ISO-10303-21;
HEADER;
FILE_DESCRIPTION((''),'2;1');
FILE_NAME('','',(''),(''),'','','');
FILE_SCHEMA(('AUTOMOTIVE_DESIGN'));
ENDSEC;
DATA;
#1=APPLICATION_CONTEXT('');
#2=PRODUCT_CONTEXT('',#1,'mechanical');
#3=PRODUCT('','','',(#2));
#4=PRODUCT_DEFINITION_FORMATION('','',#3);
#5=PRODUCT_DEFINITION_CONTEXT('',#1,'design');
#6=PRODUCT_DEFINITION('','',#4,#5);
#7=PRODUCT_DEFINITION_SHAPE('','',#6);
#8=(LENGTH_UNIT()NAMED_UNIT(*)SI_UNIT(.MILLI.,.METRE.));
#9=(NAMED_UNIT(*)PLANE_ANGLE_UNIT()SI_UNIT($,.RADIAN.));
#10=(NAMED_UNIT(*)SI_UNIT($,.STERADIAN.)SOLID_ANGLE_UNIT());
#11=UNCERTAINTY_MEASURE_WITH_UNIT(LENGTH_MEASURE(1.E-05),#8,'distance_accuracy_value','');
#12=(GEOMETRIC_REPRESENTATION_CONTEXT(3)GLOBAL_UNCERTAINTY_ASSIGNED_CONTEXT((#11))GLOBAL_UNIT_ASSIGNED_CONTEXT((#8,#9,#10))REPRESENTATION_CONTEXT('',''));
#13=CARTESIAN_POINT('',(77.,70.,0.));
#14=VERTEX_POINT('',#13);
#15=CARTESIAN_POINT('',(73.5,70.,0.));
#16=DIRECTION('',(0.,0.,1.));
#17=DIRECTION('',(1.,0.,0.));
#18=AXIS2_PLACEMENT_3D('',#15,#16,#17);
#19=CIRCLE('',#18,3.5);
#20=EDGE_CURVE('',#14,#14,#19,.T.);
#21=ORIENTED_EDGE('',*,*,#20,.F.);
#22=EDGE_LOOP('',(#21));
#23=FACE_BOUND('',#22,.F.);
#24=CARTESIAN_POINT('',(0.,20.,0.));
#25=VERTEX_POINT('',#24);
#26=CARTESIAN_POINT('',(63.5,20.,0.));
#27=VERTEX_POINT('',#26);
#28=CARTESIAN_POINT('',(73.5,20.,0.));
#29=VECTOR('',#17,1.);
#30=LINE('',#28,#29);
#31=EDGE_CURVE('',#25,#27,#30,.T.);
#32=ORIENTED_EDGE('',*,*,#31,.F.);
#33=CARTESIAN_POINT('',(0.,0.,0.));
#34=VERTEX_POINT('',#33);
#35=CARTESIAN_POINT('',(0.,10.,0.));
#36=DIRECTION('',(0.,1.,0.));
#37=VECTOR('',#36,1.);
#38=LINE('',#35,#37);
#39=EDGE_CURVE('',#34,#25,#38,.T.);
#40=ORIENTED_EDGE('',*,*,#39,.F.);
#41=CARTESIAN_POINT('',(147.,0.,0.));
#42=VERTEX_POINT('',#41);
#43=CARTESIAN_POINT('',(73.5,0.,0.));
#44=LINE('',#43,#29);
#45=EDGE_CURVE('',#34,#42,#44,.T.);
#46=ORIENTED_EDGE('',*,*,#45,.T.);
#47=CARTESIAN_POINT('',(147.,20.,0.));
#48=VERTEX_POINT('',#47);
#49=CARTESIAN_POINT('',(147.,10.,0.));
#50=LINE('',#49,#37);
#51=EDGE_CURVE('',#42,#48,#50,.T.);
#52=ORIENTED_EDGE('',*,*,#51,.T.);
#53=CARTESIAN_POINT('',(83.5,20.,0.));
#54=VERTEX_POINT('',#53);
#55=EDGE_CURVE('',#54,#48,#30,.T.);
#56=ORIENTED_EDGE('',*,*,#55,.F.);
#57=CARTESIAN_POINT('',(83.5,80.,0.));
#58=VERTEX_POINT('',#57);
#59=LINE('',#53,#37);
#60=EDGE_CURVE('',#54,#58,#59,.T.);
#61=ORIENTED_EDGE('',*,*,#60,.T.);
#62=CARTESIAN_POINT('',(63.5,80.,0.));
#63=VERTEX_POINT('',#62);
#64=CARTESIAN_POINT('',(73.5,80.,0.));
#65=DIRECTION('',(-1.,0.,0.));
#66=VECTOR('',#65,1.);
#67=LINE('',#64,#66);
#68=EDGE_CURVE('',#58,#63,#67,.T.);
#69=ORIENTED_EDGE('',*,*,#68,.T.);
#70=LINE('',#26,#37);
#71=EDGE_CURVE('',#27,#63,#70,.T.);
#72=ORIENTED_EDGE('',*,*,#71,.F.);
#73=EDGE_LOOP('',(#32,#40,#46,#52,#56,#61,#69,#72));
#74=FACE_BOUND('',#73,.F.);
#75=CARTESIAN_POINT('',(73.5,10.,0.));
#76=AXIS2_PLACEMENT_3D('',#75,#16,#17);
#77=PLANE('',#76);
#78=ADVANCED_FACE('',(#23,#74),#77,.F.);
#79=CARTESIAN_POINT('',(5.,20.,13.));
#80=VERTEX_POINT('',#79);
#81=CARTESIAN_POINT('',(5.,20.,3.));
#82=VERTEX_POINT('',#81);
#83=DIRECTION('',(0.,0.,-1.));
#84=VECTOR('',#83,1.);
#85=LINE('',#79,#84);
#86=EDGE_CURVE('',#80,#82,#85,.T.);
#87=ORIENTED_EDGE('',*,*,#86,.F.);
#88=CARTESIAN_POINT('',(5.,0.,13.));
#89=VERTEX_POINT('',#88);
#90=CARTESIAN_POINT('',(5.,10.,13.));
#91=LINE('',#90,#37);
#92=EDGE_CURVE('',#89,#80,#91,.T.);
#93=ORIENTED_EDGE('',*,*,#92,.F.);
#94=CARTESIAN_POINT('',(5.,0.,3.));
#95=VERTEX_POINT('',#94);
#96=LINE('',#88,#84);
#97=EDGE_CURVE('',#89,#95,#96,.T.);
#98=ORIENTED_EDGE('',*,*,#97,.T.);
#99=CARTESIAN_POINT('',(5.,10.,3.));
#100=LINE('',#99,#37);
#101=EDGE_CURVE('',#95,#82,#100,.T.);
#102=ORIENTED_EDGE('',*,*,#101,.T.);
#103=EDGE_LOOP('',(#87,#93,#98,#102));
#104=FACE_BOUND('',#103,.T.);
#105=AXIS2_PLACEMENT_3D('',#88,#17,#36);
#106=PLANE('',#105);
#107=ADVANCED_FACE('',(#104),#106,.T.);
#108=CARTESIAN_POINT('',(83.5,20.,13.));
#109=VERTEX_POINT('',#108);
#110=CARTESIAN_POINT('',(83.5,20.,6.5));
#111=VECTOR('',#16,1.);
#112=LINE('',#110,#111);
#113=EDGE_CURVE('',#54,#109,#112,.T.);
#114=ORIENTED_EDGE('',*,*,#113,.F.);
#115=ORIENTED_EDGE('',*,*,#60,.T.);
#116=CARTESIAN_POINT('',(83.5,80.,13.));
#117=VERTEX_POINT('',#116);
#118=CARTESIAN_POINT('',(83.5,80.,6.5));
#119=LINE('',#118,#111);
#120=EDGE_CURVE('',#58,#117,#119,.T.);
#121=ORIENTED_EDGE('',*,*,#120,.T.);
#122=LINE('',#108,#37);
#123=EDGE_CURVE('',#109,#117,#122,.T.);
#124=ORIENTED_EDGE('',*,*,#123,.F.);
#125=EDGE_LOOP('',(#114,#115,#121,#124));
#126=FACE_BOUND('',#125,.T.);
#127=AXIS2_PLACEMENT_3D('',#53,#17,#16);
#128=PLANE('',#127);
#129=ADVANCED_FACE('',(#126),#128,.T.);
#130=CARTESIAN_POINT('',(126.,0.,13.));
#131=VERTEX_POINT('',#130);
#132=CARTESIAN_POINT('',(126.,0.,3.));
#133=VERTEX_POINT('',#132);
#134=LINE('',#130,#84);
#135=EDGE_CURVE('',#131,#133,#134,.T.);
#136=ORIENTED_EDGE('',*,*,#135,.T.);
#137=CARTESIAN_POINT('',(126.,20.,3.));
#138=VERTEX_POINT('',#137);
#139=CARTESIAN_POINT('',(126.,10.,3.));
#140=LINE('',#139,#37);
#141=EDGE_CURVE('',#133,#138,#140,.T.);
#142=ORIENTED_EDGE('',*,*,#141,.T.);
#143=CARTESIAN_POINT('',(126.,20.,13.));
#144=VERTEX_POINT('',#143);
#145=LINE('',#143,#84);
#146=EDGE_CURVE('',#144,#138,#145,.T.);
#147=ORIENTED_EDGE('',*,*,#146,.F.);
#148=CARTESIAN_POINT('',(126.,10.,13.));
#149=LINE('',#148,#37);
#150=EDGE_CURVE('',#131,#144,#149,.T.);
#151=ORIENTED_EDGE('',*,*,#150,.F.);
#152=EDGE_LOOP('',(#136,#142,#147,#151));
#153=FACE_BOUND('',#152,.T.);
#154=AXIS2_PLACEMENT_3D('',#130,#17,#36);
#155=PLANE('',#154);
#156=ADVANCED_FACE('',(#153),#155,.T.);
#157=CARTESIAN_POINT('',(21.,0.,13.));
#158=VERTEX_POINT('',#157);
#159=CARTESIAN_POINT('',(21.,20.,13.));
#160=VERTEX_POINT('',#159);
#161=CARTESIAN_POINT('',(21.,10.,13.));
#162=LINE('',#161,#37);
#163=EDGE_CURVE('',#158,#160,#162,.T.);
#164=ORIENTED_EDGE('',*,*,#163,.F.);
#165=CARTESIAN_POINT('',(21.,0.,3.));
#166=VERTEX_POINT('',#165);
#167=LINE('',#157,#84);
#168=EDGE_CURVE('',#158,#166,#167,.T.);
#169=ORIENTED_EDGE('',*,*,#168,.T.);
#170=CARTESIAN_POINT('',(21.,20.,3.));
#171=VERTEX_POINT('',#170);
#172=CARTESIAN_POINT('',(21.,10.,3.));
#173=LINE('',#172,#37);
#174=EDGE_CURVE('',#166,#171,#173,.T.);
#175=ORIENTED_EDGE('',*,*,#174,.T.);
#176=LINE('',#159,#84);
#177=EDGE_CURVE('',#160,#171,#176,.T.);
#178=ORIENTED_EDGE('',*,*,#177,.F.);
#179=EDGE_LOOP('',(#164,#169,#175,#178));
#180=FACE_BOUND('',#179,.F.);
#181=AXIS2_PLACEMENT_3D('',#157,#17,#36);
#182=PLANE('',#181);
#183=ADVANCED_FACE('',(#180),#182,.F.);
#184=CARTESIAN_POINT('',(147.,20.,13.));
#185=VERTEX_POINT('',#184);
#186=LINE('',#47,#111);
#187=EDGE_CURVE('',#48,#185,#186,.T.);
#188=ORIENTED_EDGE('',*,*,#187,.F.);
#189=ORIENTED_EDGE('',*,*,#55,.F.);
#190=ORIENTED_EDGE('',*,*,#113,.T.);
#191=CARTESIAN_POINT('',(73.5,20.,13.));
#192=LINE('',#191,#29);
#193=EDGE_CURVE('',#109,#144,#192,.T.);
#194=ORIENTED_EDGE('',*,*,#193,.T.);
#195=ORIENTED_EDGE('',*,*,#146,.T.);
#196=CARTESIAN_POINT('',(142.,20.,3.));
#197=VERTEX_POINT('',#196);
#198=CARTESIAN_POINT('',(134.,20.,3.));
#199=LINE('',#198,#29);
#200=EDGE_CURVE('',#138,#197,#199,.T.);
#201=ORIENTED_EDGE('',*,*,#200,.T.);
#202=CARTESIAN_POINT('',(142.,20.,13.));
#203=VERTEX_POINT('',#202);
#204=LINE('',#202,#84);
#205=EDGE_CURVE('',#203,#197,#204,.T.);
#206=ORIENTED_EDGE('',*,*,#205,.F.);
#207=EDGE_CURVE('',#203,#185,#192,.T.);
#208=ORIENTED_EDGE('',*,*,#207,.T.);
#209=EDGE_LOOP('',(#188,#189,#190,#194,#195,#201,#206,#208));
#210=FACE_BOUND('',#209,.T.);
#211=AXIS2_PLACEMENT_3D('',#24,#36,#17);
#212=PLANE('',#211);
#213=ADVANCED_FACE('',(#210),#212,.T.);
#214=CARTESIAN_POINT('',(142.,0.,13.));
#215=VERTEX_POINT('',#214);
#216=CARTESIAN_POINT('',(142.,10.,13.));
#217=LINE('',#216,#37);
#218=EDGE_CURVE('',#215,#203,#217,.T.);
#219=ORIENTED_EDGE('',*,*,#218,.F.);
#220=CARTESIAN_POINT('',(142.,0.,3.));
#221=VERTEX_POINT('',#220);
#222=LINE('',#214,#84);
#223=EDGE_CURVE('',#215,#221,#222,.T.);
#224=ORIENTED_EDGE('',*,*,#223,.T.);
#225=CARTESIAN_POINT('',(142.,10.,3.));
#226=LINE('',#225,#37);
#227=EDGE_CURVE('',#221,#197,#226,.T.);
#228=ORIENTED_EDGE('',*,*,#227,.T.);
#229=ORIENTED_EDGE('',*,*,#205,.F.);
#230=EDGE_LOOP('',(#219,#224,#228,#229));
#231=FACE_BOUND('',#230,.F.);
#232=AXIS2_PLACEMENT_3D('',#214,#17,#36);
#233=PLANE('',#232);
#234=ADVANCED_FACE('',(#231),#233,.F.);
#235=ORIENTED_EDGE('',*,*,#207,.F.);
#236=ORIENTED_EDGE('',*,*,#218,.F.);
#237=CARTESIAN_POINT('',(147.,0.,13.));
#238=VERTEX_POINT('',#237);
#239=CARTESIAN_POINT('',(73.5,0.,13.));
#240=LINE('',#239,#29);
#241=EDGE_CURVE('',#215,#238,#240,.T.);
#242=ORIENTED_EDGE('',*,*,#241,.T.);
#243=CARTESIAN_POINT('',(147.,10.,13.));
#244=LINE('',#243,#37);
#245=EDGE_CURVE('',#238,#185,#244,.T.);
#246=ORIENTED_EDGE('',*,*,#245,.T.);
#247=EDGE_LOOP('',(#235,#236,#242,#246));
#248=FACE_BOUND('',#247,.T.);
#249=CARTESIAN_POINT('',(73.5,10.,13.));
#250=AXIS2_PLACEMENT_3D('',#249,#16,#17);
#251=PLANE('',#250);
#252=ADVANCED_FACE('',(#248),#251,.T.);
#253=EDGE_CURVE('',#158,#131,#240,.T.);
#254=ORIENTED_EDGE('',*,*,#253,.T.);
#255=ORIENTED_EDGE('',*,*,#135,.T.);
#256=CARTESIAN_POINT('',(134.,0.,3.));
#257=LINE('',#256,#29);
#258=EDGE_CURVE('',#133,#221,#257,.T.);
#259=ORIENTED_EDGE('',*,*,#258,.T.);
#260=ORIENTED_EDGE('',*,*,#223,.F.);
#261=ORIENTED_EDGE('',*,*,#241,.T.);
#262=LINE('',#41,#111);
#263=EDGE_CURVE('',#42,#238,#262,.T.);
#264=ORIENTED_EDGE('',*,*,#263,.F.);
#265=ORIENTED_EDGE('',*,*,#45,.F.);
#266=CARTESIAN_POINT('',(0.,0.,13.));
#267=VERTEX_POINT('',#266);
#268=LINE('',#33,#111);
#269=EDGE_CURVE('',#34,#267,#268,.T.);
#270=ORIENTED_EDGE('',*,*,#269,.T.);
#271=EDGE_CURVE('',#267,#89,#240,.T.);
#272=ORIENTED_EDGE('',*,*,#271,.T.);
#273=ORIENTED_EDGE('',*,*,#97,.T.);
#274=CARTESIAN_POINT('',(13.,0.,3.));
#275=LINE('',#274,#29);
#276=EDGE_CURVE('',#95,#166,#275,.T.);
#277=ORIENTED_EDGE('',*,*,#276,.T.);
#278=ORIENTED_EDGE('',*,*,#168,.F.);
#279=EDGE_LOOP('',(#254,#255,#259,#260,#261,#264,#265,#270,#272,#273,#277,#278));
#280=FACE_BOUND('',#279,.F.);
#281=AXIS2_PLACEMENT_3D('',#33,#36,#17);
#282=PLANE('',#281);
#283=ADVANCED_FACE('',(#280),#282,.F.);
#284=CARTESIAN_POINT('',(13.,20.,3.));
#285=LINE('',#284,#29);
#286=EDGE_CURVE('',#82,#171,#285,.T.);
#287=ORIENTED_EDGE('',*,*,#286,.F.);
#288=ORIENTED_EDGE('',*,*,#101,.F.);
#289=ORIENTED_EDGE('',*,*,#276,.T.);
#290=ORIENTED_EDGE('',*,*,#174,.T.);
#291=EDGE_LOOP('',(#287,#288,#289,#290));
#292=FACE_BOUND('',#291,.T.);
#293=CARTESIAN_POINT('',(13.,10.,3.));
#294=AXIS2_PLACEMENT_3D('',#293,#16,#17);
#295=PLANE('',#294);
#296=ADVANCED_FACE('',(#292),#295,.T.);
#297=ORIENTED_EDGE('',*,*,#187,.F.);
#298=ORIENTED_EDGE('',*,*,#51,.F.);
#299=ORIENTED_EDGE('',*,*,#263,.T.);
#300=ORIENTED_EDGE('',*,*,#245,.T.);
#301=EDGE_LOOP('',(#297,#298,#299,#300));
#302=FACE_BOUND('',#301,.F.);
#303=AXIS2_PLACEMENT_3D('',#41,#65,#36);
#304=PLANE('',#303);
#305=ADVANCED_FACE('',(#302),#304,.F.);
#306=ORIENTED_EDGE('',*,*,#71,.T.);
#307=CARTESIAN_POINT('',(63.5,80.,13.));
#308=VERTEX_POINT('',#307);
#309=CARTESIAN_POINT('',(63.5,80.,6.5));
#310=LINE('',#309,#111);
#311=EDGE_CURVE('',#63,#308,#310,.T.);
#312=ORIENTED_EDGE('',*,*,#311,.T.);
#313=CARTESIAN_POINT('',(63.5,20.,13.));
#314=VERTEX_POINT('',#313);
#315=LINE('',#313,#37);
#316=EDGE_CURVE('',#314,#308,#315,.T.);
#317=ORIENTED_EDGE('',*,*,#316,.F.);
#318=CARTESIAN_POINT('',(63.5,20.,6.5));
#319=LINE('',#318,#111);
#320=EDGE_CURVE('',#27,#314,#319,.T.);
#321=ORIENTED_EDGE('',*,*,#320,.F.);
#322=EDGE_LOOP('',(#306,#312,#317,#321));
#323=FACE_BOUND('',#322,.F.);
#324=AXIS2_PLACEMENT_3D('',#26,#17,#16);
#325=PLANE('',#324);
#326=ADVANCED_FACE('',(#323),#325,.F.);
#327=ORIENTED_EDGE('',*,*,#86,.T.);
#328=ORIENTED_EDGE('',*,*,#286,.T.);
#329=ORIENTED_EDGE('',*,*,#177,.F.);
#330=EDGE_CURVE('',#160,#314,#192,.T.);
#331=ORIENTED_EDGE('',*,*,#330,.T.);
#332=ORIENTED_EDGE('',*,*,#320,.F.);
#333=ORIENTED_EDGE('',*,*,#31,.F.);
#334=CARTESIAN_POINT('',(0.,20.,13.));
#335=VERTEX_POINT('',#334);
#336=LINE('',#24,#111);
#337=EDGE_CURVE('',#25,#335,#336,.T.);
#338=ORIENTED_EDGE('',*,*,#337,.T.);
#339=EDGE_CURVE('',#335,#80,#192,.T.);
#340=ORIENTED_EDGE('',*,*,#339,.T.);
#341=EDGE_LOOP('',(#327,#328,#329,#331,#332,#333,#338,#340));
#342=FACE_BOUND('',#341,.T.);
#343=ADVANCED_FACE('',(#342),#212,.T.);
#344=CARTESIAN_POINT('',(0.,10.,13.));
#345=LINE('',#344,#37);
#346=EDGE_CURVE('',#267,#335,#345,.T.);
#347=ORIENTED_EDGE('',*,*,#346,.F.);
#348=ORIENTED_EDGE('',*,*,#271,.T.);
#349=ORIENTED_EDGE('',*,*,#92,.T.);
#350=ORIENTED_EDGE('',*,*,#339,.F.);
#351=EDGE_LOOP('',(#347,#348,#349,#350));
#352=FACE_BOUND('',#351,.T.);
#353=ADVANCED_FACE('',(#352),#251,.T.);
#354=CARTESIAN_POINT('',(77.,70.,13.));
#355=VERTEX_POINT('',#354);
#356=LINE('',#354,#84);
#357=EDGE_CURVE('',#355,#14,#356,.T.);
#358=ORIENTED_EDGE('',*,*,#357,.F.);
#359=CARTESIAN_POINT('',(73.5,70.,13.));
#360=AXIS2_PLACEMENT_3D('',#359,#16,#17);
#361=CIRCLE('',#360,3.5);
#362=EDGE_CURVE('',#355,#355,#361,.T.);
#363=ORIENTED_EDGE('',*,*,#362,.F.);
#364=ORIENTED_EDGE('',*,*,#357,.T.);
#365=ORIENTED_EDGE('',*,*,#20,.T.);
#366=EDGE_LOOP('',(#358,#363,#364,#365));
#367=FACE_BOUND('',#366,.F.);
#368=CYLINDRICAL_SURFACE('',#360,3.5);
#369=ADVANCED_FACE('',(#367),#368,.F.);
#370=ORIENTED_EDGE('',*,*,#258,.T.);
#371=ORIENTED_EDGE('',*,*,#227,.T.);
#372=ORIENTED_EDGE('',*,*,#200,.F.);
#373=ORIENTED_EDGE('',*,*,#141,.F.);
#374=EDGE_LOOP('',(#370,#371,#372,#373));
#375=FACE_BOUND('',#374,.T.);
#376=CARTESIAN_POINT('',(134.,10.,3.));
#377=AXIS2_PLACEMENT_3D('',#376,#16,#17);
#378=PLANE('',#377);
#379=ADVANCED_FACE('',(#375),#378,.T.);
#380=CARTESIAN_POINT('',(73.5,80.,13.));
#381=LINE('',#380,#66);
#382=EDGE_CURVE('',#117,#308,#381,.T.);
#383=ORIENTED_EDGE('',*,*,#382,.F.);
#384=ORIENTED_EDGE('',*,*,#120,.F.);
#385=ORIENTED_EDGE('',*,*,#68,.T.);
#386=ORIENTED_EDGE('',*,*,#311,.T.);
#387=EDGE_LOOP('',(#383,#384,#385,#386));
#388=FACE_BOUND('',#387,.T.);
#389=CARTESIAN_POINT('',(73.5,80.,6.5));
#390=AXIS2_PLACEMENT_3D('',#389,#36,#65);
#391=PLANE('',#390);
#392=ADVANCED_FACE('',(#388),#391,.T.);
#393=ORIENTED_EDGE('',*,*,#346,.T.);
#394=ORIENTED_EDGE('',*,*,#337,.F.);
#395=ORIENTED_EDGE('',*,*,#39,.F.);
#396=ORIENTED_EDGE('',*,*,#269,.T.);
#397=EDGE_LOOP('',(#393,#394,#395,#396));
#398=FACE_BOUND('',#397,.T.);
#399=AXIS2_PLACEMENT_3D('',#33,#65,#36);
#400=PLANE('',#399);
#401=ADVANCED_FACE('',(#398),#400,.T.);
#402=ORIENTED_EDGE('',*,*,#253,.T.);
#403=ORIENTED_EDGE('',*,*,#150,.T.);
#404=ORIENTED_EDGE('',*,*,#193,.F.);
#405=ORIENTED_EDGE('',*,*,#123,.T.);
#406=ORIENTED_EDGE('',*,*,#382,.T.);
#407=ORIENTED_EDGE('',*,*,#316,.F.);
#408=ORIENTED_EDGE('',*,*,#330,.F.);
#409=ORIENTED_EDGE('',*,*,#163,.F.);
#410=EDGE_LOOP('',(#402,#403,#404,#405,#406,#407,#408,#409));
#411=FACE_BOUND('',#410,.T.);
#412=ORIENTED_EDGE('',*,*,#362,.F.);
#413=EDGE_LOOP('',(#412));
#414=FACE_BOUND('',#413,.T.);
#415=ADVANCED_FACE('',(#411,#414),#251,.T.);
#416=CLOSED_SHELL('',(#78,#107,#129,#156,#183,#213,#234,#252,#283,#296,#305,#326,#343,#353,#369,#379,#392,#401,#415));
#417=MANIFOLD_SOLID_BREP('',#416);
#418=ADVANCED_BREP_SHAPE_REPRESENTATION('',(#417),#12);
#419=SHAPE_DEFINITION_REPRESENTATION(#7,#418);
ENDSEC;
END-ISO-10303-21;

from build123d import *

# Parameters (mm, degrees)
SKETCH_W        = 147
SKETCH_H        = 20
PAD_DEPTH       = 13
SKETCH001_W     = 16
SKETCH001_H     = 20
POCKET_DEPTH    = 10
SKETCH002_W     = 20
SKETCH002_H     = 13
PAD001_DEPTH    = 60
SKETCH003_R     = 3.5
POCKET001_DEPTH = 13.001


with BuildPart() as part:
    # Sketch → Pad (new body)
    with BuildSketch(Plane.XY):
        with Locations((73.5, 10)):
            Rectangle(SKETCH_W, SKETCH_H)
    extrude(amount=PAD_DEPTH)

    # Sketch001 (on Face6 of Pad) → Pocket (cut)
    with BuildSketch(Plane.XY.offset(13)):
        with Locations((13, 10)):
            Rectangle(SKETCH001_W, SKETCH001_H)
        with Locations((134, 10)):
            Rectangle(SKETCH001_W, SKETCH001_H)
    extrude(amount=-POCKET_DEPTH, mode=Mode.SUBTRACT)

    # Sketch002 (on Face14 of Pocket) → Pad001 (join)
    with BuildSketch(Plane(origin=(0, 20, 0), x_dir=(-1, 0, 0), z_dir=(0, 1, 0))):
        with Locations((-73.5, 6.5)):
            Rectangle(SKETCH002_W, SKETCH002_H)
    extrude(amount=PAD001_DEPTH)

    # Sketch003 (on Face17 of Pad001) → Pocket001 (cut, through all)
    with BuildSketch(Plane.XY.offset(13)):
        with Locations((73.5, 70)):
            Circle(SKETCH003_R)
    extrude(amount=-POCKET001_DEPTH, mode=Mode.SUBTRACT)


solid = part.part
